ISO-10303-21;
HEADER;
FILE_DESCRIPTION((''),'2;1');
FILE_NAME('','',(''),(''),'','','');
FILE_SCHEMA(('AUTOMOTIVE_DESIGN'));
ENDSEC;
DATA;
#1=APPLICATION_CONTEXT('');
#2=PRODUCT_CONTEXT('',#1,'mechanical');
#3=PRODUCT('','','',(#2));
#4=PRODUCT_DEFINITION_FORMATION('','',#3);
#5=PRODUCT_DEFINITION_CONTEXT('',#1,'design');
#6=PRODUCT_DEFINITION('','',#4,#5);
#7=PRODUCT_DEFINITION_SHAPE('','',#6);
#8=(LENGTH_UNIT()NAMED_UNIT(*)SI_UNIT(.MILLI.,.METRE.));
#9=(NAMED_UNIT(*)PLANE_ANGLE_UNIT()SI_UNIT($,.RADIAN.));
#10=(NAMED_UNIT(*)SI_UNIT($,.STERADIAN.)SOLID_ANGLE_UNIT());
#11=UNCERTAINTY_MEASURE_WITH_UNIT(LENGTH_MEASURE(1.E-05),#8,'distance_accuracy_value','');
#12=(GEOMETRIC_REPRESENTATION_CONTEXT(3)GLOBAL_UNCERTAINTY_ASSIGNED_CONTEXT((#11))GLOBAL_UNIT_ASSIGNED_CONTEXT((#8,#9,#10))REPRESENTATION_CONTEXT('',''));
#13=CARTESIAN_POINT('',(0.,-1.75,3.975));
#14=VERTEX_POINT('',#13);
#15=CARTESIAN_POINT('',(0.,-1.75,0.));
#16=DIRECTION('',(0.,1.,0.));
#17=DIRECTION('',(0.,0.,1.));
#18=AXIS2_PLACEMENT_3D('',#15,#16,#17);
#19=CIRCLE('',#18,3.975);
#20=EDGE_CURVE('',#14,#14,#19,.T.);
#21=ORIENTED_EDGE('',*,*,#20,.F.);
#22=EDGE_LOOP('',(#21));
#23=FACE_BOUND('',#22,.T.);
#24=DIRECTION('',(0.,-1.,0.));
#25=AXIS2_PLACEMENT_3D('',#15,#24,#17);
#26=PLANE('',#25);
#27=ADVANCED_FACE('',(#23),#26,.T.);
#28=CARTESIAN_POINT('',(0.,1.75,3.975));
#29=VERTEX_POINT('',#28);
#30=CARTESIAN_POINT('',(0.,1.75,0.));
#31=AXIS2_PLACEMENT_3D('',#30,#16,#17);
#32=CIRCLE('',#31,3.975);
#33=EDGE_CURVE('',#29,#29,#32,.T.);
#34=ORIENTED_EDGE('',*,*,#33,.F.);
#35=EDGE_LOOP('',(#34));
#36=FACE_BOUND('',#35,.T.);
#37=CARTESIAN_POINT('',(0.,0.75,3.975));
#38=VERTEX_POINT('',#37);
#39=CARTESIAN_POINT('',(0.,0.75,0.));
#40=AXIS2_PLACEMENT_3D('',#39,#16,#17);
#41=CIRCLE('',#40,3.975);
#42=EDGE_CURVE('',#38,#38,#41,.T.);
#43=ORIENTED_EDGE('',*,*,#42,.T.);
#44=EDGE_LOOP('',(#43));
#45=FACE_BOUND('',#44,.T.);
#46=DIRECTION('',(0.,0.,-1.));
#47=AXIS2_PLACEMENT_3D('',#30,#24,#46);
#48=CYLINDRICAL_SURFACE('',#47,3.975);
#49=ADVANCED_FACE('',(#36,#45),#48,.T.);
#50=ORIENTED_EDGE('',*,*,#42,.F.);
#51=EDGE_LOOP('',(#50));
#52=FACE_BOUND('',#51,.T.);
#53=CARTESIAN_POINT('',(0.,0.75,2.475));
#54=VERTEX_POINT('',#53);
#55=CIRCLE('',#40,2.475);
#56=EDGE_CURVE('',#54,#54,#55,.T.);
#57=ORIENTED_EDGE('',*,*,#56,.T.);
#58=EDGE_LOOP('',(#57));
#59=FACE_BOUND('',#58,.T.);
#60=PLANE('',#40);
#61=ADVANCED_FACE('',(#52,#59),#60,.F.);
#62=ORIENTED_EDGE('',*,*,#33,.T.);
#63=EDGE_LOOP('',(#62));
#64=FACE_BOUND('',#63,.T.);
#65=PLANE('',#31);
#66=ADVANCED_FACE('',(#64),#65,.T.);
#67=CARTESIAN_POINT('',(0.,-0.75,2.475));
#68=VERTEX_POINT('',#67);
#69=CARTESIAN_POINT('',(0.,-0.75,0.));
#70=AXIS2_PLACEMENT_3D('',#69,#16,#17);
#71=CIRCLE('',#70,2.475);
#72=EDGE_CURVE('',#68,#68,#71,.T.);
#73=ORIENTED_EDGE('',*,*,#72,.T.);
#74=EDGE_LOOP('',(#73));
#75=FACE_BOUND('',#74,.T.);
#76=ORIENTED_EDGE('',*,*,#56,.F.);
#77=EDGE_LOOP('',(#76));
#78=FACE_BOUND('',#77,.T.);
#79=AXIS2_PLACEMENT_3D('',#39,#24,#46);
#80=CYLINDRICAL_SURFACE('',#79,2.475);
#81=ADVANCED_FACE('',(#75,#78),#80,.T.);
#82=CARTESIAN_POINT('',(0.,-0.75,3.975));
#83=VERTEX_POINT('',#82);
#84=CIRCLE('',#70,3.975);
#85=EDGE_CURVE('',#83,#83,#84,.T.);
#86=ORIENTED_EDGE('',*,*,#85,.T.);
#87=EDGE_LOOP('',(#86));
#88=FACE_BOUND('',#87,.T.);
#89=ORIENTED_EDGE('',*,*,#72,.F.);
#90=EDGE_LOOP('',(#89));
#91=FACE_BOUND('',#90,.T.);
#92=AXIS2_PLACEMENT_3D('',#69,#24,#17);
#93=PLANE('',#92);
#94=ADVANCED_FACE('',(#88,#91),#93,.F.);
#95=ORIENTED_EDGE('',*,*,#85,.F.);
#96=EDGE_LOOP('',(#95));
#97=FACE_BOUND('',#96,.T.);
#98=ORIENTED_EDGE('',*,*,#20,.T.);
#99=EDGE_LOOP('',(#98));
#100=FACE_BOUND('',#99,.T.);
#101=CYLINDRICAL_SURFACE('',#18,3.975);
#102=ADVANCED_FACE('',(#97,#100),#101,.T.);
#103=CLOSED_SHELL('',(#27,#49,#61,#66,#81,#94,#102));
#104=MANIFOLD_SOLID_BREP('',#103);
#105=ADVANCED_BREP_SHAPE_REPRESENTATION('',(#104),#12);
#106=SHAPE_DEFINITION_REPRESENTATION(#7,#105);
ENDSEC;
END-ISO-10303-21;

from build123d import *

# Parameters (mm, degrees)
SKETCH1_R           = 2.475
BOSS_EXTRUDE1_DEPTH = 0.75
SKETCH3_R           = 3.975
BOSS_EXTRUDE2_DEPTH = 1


with BuildPart() as part:
    # Sketch1 → Boss-Extrude1 (new, symmetric)
    with BuildSketch(Plane(origin=(0, 0, 0), x_dir=(1, 0, 0), z_dir=(0, 1, 0))):
        with Locations(Location((0, 0, 0), (0, 0, 270))):
            Circle(SKETCH1_R)
    extrude(amount=BOSS_EXTRUDE1_DEPTH, both=True)

    # Sketch3 → Boss-Extrude2 (add)
    with BuildSketch(Plane(origin=(0, 0.75, 0), x_dir=(1, 0, 0), z_dir=(0, 1, 0))):
        with Locations(Location((0, 0, 0), (0, 0, 270))):
            Circle(SKETCH3_R)
    boss_extrude2 = extrude(amount=BOSS_EXTRUDE2_DEPTH)

    # Mirror1: Boss-Extrude2 across plane
    add(boss_extrude2.mirror(Plane.ZX))


solid = part.part
